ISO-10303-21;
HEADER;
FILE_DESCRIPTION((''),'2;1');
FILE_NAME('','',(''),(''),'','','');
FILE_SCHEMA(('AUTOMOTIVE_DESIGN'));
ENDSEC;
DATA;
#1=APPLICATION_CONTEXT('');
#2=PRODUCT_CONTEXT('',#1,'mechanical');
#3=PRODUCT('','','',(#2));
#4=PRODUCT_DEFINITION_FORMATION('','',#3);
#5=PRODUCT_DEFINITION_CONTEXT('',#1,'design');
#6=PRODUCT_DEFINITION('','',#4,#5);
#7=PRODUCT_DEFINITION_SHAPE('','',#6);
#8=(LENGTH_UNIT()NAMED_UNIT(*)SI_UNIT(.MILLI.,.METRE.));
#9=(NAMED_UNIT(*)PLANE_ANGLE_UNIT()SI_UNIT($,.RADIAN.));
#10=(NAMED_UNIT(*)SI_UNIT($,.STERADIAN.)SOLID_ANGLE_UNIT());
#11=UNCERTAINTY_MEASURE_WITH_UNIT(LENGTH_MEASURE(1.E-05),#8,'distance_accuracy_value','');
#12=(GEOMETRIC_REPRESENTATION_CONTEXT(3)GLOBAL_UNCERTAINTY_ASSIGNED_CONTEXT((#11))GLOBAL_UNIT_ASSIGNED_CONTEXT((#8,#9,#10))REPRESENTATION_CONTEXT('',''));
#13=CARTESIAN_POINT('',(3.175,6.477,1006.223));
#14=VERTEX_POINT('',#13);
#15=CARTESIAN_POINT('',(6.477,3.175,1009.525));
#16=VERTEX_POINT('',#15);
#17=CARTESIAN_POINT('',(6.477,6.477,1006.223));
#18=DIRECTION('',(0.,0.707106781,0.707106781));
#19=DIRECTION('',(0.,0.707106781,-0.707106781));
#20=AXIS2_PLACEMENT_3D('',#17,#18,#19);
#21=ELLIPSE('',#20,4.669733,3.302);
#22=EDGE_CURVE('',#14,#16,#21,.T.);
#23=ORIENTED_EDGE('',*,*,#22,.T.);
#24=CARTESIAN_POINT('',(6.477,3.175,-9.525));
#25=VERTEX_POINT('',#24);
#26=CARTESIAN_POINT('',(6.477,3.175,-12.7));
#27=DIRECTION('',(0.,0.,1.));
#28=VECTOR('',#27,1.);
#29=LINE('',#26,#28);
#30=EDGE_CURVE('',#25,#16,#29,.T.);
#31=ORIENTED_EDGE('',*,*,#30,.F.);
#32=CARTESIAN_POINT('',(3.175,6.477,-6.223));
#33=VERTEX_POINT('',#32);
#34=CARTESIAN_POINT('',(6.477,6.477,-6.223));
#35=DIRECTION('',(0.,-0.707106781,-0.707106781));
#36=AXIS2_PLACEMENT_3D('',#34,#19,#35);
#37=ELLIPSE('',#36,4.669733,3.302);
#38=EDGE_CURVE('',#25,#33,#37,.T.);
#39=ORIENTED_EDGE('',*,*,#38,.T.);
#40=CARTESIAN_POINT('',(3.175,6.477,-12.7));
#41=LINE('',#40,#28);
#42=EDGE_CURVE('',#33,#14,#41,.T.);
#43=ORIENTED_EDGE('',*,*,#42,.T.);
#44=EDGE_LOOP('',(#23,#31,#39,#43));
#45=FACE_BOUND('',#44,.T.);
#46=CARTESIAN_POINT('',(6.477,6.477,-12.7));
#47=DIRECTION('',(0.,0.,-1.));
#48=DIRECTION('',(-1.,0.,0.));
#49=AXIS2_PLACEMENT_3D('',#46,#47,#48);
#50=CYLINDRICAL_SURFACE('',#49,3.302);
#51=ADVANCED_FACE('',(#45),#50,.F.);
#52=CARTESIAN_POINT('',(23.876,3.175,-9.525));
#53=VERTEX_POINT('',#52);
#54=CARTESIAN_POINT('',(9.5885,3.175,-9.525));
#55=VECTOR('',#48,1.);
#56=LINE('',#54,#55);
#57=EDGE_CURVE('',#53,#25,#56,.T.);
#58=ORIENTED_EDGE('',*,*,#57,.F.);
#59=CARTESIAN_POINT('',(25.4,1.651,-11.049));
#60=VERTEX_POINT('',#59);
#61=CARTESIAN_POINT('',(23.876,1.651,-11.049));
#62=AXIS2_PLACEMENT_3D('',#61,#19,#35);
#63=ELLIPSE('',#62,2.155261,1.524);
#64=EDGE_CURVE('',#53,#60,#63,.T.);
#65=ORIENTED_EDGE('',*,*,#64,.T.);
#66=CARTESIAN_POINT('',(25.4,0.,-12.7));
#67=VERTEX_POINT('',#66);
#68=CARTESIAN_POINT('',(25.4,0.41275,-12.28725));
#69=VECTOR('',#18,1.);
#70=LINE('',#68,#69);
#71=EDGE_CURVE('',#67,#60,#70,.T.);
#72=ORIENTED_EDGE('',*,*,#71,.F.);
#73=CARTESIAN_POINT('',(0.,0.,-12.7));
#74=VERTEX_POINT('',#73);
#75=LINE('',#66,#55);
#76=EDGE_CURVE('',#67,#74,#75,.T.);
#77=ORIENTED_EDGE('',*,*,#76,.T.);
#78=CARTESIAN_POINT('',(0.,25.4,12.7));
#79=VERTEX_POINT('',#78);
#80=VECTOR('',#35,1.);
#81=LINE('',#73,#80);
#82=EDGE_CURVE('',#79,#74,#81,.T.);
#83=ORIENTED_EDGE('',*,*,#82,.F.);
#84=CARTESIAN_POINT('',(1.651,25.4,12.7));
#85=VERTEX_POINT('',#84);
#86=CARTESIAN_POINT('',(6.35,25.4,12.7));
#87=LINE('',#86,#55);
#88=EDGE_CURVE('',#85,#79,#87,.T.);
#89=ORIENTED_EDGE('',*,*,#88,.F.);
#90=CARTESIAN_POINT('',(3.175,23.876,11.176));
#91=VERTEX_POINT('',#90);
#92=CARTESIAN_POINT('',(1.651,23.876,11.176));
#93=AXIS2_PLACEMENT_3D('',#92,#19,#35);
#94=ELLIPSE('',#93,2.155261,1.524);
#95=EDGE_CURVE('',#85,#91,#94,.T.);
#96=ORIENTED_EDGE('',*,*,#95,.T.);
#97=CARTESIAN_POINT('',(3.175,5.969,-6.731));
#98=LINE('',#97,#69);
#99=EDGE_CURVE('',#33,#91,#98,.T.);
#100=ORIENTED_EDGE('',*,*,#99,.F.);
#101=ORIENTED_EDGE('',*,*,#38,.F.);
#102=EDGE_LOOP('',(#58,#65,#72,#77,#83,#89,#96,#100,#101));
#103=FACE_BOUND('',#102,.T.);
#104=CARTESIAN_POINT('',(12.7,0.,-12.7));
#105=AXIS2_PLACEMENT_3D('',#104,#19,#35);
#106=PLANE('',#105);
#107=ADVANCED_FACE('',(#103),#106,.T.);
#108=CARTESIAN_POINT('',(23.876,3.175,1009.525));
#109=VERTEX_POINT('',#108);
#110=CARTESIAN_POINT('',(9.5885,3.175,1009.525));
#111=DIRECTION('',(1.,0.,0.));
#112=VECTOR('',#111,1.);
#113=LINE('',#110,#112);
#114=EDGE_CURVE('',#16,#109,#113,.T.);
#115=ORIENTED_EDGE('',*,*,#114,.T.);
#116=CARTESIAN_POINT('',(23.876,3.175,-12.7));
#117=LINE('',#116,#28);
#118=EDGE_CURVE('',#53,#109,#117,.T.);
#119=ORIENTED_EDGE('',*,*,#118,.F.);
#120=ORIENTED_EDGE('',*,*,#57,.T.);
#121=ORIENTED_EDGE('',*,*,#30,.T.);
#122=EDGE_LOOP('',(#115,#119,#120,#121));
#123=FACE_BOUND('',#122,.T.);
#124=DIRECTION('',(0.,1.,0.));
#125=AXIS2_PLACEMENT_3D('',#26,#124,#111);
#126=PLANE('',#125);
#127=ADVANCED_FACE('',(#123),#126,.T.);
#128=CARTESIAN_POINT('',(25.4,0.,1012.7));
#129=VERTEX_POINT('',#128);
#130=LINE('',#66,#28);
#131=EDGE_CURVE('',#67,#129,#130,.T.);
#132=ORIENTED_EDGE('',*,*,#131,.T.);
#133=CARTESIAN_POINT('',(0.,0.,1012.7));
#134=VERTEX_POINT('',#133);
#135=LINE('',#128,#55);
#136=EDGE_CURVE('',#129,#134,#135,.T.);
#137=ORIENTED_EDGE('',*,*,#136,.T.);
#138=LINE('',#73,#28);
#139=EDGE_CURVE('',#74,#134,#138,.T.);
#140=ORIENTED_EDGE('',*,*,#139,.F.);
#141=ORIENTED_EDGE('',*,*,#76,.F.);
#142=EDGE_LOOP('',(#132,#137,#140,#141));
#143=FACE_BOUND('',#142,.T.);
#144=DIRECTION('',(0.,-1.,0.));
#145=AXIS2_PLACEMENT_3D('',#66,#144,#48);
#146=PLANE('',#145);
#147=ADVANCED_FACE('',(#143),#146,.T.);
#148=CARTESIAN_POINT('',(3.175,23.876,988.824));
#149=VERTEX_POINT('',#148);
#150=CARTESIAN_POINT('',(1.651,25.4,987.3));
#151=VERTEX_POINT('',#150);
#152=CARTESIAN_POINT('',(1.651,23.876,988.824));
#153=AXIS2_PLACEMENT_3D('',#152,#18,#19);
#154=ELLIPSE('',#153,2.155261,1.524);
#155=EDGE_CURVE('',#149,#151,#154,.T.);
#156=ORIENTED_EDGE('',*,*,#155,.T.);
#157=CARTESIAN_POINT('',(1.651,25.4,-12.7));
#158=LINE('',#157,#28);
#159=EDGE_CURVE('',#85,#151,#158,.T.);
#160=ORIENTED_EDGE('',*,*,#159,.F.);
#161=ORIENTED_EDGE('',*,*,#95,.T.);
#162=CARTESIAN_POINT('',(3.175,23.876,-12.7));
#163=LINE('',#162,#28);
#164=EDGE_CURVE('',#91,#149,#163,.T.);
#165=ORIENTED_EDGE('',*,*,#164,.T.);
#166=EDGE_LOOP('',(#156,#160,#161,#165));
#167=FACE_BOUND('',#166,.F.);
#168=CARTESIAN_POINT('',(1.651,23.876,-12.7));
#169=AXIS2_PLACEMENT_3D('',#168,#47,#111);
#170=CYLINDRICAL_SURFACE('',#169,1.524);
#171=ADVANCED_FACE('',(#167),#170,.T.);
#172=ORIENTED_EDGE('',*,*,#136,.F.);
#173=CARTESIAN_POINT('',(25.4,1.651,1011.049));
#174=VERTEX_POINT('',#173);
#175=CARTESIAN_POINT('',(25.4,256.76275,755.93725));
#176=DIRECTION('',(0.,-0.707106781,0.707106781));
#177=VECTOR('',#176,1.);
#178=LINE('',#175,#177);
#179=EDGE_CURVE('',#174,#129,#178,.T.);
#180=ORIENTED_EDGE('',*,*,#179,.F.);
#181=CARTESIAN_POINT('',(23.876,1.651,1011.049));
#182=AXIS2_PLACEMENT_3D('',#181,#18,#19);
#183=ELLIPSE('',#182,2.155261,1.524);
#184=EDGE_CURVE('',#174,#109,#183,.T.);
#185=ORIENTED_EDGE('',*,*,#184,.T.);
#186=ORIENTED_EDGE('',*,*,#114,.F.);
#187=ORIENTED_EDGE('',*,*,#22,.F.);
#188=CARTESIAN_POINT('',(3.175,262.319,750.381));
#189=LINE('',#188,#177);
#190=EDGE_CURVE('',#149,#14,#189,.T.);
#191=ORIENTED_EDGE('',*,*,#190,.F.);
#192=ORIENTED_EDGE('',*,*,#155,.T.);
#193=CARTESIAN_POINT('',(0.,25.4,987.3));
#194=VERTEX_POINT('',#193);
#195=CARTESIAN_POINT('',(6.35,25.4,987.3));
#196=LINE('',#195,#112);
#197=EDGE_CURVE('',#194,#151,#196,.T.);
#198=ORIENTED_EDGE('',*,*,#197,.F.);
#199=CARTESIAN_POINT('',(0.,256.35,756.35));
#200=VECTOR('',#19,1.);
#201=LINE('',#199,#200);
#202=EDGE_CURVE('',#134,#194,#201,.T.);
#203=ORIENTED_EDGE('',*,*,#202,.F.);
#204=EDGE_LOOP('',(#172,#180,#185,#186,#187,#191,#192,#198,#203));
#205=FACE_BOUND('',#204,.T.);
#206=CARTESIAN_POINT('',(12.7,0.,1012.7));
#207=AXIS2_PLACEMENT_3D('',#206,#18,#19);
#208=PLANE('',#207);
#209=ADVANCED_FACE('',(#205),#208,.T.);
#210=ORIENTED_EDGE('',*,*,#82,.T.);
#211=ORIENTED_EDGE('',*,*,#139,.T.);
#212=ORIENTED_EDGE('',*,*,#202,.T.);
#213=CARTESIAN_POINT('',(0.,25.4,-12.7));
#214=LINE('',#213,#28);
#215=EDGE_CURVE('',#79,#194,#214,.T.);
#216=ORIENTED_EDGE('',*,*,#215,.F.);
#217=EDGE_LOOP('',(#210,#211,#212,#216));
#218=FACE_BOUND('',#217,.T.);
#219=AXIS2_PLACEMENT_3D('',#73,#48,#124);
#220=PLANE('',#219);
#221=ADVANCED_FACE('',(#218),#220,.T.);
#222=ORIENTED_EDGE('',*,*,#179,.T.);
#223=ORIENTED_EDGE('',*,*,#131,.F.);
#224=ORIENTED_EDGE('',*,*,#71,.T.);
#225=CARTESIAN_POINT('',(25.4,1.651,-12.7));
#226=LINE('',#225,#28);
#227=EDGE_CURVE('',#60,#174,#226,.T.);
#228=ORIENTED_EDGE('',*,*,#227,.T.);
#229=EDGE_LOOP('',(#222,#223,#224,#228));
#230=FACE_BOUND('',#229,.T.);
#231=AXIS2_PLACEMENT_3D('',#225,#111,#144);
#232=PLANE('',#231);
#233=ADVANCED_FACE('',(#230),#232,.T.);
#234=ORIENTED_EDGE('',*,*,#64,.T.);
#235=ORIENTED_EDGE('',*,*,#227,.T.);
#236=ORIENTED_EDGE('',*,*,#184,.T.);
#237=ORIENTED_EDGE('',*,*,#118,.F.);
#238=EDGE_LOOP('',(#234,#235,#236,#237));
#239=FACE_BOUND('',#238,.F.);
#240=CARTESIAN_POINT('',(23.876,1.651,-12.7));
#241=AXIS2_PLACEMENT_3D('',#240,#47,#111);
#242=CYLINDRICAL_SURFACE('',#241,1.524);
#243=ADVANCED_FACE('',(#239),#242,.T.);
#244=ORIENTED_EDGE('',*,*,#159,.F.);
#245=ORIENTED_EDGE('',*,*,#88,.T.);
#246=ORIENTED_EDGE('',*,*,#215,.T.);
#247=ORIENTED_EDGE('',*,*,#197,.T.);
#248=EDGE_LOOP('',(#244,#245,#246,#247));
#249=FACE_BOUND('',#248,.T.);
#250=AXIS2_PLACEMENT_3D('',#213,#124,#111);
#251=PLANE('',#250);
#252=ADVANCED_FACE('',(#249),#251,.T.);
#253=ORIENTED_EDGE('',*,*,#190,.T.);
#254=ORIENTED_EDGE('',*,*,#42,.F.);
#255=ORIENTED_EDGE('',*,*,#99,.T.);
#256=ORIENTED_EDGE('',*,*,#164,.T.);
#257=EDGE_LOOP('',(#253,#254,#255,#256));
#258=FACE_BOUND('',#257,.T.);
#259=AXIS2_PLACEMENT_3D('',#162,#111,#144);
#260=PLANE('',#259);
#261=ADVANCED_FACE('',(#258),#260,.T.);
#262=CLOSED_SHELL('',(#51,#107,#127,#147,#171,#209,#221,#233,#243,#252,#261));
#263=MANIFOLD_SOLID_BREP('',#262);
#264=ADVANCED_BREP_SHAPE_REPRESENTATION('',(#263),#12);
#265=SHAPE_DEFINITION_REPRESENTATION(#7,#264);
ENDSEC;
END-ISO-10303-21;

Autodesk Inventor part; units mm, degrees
ref_plane "Start Plane" through (0, 0, -12.7) normal (0, 0, 1) x (1, 0, 0)
ref_plane "End Plane" through (0, 0, 1012.7) normal (0, 0, 1) x (1, 0, 0)
sketch "Sketch" plane through (0, 0, 0) normal (0, 0, 1) x (1, 0, 0)
  line L0 (25.4, 0) -> (0, 0)
  line L1 (0, 0) -> (0, 25.4)
  line L2 (0, 25.4) -> (1.651, 25.4)
  line L3 (3.175, 23.876) -> (3.175, 6.477)
  line L4 (6.477, 3.175) -> (23.876, 3.175)
  line L5 (25.4, 1.651) -> (25.4, 0)
  line L6 (0, -11.0414) -> (0, 31.5385) construction
  line L7 (-11.0414, 0) -> (31.5385, 0) construction
  arc A0 (3.175, 6.477) -> (6.477, 3.175) centre (6.477, 6.477) ccw
  arc A1 (3.175, 23.876) -> (1.651, 25.4) centre (1.651, 23.876) ccw
  arc A2 (25.4, 1.651) -> (23.876, 3.175) centre (23.876, 1.651) ccw
  line L8 (0, 40.0545) -> (0, -19.5574) construction
  line L9 (-19.5574, 0) -> (40.0545, 0) construction
  point P0 (3.175, 25.4)
  point P1 (3.175, 3.175)
  point P2 (25.4, 3.175)
  dimension "d0" = 25.4
  dimension "d1" = 25.4
  dimension "d2" = 3.175
  dimension "d3" = 3.175
  dimension "d10" = 0
  dimension "d11" = 0
  dimension "d14" = 3.302
  dimension "d15" = 1.524
extrude "Body" add sketch "Sketch" along normal up to surface (1025.4 mm away) from surface at -12.7
sketch "Sketch3" plane through (0, 0, 0) normal (0, 0, 1) x (1, 0, 0)
  line L0 (0, 0) -> (10, 0)
ref_plane "Work Plane3" through (0, 0, 0) normal (0, -1, 0) x (1, 0, 0)
ref_plane "Work Plane4" through (12.7, 0, 1012.7) normal (0, 0.7071, 0.7071) x (1, 0, 0)
split "Split1" plane through (12.7, 0, 1012.7) removes the side toward (0, 0.7071, 0.7071)
ref_plane "Work Plane5" through (12.7, 0, -12.7) normal (0, 0.7071, -0.7071) x (1, 0, 0)
split "Split2" plane through (12.7, 0, -12.7) removes the side toward (0, 0.7071, -0.7071)
sketch "Sketch4" plane through (0, 0, 0) normal (0, -1, 0) x (1, 0, 0)
  line L0 (-2, -12.7) -> (12, -12.7) projected
  line L1 (-2, 1012.7) -> (12, 1012.7) projected
  dimension "d17" = 1025.4
equation "\"d0\" = G_H"
equation "\"d1\" = G_H"
equation "\"d2\" = G_T"
equation "\"d3\" = G_T"
equation "\"d14\" = G_IR"
equation "\"d15\" = G_ER"
equation "\"d4\" = G_L"
equation "\"G_H\" = 25.4"
equation "\"G_T\" = 3.175"
equation "\"G_ER\" = 1.524"
equation "\"G_IR\" = 3.302"
equation "\"G_L\" = d17"
equation "\"ex\" = 0"
equation "\"G_OFFSET_START\" = 12.7"
equation "\"G_OFFSET_END\" = 12.7"
equation "\"d12\" = -G_OFFSET_START"
equation "\"d13\" = G_OFFSET_END + B_L"
equation "\"B_L\" = 1000"
properties part number "AISC - L 1 x 1 x 1/8 - 40.37" material "Steel, Mild"
